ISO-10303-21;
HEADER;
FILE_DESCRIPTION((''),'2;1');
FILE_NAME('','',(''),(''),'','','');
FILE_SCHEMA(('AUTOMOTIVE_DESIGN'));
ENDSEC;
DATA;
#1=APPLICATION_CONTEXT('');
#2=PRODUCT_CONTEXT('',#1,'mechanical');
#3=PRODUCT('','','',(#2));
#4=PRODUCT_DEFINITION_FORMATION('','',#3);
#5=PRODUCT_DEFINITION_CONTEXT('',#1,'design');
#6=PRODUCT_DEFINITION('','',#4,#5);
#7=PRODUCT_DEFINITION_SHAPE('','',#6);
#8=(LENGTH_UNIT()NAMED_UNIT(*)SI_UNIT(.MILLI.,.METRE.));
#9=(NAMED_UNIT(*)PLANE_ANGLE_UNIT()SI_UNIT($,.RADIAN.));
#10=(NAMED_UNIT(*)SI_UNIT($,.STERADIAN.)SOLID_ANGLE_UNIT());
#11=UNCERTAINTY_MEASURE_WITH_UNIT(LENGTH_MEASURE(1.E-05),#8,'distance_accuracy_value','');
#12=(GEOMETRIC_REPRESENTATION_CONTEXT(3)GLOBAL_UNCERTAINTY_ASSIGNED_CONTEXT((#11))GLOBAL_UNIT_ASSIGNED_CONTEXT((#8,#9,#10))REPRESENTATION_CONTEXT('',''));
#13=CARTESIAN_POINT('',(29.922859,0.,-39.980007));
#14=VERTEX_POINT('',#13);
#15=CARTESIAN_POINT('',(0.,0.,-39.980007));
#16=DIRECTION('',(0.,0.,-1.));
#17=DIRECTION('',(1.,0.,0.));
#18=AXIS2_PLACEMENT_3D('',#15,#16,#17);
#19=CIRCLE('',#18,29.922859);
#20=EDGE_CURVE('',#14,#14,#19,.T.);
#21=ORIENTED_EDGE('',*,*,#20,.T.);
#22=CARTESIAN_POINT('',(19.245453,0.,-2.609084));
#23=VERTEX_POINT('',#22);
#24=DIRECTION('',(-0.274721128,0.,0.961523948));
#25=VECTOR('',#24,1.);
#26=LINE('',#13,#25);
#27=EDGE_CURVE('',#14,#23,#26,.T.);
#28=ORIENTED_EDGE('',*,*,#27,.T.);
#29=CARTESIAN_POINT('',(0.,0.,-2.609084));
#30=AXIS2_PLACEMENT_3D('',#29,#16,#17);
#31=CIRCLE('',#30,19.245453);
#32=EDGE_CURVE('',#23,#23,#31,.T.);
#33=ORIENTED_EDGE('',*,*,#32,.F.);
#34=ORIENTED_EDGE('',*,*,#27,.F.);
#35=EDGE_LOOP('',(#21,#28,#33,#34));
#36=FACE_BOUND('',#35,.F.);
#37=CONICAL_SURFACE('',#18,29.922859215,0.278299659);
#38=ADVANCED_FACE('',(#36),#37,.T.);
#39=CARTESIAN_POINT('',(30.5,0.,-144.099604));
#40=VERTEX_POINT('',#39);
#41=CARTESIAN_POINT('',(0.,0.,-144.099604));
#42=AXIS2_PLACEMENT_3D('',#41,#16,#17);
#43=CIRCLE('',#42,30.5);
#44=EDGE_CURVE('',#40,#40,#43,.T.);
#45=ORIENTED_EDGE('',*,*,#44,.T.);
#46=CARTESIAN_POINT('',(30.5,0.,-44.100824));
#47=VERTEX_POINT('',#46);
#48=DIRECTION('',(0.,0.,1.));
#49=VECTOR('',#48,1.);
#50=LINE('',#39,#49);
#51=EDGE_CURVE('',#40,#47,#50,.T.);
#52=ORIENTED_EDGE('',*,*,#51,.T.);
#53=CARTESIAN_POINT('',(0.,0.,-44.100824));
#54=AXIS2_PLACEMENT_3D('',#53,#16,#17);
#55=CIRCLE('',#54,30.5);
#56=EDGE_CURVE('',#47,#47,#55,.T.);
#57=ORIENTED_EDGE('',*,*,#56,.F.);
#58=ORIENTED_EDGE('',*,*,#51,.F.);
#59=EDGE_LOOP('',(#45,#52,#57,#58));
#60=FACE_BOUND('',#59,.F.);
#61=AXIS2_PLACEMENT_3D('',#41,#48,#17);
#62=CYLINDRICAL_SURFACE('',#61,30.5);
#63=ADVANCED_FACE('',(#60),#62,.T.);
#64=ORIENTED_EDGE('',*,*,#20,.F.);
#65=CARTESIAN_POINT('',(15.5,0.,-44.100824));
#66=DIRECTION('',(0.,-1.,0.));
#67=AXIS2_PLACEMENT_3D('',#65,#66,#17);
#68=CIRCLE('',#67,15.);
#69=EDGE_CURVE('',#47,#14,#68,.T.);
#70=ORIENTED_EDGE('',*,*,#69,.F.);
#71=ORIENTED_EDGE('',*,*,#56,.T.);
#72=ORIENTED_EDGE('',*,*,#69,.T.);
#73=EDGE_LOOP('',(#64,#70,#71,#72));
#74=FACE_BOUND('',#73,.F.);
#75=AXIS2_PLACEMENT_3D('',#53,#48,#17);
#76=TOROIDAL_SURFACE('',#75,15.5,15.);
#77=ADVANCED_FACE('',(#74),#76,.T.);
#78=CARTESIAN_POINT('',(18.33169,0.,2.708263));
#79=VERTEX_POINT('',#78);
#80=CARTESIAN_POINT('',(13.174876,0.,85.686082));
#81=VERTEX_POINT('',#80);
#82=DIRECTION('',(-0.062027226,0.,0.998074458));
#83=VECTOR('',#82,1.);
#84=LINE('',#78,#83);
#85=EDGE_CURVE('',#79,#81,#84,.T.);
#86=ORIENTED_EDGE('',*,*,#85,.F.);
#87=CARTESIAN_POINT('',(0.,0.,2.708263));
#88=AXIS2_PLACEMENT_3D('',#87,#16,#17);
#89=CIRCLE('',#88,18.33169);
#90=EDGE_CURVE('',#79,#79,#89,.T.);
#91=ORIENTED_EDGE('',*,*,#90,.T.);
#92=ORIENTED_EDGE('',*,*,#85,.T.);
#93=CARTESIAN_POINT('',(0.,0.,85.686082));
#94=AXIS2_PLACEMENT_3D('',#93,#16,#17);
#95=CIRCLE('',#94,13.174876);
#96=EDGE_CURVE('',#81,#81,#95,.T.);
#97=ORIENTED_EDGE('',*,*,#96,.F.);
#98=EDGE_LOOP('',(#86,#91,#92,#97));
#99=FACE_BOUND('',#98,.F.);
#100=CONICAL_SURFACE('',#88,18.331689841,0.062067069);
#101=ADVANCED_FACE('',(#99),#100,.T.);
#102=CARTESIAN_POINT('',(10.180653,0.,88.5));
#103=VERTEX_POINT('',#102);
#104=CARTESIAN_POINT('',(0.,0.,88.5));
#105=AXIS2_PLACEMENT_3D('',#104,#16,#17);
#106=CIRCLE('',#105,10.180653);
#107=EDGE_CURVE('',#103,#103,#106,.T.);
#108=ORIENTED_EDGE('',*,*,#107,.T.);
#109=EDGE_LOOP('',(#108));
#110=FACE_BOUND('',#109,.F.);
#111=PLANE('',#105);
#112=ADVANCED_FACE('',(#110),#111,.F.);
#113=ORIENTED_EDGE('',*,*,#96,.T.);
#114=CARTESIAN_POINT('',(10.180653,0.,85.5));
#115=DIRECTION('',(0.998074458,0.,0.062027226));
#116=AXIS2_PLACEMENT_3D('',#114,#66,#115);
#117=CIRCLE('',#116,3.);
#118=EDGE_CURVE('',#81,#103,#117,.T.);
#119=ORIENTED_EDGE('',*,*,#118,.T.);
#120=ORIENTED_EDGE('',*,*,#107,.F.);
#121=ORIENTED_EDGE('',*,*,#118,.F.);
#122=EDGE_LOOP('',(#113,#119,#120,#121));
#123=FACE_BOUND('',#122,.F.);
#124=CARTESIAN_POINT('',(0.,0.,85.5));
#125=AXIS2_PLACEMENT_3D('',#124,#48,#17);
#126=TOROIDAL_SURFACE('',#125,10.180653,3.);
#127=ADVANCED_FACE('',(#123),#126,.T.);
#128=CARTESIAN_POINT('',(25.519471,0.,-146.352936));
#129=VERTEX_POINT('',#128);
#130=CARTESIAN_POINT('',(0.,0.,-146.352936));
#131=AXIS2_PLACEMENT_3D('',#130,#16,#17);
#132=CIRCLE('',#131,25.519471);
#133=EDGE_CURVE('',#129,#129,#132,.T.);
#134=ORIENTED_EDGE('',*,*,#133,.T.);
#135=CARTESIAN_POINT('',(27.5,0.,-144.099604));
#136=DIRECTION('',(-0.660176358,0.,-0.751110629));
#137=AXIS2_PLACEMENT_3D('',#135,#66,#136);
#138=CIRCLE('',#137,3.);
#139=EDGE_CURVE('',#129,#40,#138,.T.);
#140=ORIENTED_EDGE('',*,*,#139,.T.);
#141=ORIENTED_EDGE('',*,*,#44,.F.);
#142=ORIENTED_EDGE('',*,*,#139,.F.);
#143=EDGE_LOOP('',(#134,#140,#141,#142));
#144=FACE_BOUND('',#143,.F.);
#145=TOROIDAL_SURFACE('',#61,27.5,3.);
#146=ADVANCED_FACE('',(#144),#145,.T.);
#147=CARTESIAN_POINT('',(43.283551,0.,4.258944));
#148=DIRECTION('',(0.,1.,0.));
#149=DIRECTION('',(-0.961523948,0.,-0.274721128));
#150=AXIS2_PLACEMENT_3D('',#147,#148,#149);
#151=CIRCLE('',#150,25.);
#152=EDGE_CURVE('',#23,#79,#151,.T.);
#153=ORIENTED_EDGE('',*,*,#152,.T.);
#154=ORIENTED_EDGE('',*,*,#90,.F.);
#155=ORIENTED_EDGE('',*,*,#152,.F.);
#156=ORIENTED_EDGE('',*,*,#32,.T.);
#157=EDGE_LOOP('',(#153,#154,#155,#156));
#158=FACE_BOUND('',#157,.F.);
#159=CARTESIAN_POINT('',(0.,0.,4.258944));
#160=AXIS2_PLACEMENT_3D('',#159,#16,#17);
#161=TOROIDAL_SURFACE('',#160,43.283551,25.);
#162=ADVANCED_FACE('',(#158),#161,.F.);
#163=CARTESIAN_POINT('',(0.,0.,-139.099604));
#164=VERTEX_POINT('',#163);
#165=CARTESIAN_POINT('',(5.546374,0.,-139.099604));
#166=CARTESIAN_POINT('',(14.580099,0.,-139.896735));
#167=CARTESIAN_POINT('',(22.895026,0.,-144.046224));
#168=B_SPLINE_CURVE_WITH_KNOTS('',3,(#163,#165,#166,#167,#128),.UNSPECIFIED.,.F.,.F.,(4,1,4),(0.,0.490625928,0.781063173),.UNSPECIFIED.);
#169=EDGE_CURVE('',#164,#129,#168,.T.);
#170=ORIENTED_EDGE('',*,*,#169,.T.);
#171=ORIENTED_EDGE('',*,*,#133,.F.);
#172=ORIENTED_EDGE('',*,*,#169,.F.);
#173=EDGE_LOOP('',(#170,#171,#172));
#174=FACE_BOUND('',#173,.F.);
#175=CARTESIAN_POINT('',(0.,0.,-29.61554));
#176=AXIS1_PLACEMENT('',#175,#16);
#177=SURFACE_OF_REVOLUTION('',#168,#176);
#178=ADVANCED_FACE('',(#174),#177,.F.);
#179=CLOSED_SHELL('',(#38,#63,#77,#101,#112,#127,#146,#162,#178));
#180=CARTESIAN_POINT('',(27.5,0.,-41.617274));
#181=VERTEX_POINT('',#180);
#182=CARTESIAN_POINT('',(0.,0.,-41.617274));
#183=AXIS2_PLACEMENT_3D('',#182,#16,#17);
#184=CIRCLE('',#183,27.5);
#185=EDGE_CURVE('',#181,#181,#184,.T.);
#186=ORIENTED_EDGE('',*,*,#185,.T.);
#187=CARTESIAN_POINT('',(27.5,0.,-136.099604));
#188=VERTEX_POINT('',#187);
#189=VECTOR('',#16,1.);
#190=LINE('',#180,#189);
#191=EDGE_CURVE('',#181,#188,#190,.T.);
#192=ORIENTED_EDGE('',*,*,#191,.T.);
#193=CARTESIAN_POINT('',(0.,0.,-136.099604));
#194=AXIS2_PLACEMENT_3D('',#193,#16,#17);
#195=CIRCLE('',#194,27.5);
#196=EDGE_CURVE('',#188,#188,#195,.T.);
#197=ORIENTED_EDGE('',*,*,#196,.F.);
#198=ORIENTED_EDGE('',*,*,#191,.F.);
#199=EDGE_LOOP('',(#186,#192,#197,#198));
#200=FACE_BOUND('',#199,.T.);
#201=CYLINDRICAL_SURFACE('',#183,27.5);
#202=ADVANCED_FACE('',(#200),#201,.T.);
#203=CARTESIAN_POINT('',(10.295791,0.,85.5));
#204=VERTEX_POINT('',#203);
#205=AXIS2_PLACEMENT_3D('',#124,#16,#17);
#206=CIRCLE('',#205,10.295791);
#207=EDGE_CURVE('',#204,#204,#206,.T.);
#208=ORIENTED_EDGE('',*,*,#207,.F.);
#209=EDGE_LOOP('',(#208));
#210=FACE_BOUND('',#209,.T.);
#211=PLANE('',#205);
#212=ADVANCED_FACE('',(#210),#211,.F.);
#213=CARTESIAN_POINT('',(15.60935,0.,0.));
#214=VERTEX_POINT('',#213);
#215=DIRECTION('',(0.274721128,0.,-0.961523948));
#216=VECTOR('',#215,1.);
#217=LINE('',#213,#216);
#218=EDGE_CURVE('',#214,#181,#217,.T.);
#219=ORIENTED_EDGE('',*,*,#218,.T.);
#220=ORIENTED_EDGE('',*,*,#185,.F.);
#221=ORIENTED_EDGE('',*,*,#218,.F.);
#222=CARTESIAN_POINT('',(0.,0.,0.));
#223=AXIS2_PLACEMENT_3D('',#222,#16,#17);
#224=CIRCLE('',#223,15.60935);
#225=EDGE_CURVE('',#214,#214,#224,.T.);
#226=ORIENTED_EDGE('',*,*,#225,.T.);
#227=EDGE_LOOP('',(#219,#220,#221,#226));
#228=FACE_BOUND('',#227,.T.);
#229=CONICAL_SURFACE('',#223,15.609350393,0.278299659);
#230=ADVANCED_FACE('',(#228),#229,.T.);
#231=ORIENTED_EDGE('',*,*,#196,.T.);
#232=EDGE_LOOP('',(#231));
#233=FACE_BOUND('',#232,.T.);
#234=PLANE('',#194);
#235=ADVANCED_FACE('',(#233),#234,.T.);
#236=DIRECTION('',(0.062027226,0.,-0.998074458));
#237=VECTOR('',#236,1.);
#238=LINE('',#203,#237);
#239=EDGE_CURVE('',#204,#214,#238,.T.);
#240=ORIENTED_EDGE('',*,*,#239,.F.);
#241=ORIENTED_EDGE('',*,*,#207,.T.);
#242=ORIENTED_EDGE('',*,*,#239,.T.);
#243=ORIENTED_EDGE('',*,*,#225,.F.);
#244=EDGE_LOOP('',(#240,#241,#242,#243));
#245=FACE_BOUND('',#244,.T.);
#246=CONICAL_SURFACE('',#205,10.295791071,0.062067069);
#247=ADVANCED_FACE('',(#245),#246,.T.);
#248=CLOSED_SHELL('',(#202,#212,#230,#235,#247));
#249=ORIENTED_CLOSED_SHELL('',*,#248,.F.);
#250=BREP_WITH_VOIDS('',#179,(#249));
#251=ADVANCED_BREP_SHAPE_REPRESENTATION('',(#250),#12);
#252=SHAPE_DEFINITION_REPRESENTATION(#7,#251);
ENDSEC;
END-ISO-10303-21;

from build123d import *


with BuildPart() as f1:
    # F0 (on Front) → F1 (revolve)
    with BuildSketch(Plane.XZ):
        with BuildLine():
            ThreePointArc((25.5194709269, -146.3529362098), (28.7366108484, -146.8328795765), (30.5, -144.0996043233))
            Line((30.5, -144.0996043233), (30.5, -44.1008241696))
            ThreePointArc((30.5, -44.1008241696), (30.3550141067, -42.0203059913), (29.9228592146, -39.9800072511))
            Line((29.9228592146, -39.9800072511), (19.2454525939, -2.6090840788))
            ThreePointArc((19.2454525939, -2.6090840788), (18.644708075, 0.0248674453), (18.3316898412, 2.708263464))
            Line((18.3316898412, 2.708263464), (13.1748762799, 85.6860816786))
            ThreePointArc((13.1748762799, 85.6860816786), (12.2351303297, 87.6861204262), (10.1806529066, 88.5))
            Line((10.1806529066, 88.5), (0, 88.5))
            Line((0, 88.5), (0, 85.5))
            Line((0, 85.5), (10.2957910712, 85.5))
            Line((10.2957910712, 85.5), (15.6093503933, 0))
            Line((15.6093503933, 0), (27.5, -41.6172736236))
            Line((27.5, -41.6172736236), (27.5, -136.0996043233))
            Line((27.5, -136.0996043233), (0, -136.0996043233))
            Line((0, -136.0996043233), (0, -139.0996043233))
            add(Edge.make_bspline(
                [(0, -139.0996043233), (5.5463740744, -139.0996043233), (14.5800994613, -139.8967348371), (22.8950264361, -144.0462238049), (25.5194709269, -146.3529362098)],
                knots=[0, 0, 0, 0, 0.490625928, 0.7810631733, 0.7810631733, 0.7810631733, 0.7810631733], degree=3))
        make_face()
    revolve(axis=Axis((0, 0, -29.615540045), (0, 0, -1)))


solid = f1.part
